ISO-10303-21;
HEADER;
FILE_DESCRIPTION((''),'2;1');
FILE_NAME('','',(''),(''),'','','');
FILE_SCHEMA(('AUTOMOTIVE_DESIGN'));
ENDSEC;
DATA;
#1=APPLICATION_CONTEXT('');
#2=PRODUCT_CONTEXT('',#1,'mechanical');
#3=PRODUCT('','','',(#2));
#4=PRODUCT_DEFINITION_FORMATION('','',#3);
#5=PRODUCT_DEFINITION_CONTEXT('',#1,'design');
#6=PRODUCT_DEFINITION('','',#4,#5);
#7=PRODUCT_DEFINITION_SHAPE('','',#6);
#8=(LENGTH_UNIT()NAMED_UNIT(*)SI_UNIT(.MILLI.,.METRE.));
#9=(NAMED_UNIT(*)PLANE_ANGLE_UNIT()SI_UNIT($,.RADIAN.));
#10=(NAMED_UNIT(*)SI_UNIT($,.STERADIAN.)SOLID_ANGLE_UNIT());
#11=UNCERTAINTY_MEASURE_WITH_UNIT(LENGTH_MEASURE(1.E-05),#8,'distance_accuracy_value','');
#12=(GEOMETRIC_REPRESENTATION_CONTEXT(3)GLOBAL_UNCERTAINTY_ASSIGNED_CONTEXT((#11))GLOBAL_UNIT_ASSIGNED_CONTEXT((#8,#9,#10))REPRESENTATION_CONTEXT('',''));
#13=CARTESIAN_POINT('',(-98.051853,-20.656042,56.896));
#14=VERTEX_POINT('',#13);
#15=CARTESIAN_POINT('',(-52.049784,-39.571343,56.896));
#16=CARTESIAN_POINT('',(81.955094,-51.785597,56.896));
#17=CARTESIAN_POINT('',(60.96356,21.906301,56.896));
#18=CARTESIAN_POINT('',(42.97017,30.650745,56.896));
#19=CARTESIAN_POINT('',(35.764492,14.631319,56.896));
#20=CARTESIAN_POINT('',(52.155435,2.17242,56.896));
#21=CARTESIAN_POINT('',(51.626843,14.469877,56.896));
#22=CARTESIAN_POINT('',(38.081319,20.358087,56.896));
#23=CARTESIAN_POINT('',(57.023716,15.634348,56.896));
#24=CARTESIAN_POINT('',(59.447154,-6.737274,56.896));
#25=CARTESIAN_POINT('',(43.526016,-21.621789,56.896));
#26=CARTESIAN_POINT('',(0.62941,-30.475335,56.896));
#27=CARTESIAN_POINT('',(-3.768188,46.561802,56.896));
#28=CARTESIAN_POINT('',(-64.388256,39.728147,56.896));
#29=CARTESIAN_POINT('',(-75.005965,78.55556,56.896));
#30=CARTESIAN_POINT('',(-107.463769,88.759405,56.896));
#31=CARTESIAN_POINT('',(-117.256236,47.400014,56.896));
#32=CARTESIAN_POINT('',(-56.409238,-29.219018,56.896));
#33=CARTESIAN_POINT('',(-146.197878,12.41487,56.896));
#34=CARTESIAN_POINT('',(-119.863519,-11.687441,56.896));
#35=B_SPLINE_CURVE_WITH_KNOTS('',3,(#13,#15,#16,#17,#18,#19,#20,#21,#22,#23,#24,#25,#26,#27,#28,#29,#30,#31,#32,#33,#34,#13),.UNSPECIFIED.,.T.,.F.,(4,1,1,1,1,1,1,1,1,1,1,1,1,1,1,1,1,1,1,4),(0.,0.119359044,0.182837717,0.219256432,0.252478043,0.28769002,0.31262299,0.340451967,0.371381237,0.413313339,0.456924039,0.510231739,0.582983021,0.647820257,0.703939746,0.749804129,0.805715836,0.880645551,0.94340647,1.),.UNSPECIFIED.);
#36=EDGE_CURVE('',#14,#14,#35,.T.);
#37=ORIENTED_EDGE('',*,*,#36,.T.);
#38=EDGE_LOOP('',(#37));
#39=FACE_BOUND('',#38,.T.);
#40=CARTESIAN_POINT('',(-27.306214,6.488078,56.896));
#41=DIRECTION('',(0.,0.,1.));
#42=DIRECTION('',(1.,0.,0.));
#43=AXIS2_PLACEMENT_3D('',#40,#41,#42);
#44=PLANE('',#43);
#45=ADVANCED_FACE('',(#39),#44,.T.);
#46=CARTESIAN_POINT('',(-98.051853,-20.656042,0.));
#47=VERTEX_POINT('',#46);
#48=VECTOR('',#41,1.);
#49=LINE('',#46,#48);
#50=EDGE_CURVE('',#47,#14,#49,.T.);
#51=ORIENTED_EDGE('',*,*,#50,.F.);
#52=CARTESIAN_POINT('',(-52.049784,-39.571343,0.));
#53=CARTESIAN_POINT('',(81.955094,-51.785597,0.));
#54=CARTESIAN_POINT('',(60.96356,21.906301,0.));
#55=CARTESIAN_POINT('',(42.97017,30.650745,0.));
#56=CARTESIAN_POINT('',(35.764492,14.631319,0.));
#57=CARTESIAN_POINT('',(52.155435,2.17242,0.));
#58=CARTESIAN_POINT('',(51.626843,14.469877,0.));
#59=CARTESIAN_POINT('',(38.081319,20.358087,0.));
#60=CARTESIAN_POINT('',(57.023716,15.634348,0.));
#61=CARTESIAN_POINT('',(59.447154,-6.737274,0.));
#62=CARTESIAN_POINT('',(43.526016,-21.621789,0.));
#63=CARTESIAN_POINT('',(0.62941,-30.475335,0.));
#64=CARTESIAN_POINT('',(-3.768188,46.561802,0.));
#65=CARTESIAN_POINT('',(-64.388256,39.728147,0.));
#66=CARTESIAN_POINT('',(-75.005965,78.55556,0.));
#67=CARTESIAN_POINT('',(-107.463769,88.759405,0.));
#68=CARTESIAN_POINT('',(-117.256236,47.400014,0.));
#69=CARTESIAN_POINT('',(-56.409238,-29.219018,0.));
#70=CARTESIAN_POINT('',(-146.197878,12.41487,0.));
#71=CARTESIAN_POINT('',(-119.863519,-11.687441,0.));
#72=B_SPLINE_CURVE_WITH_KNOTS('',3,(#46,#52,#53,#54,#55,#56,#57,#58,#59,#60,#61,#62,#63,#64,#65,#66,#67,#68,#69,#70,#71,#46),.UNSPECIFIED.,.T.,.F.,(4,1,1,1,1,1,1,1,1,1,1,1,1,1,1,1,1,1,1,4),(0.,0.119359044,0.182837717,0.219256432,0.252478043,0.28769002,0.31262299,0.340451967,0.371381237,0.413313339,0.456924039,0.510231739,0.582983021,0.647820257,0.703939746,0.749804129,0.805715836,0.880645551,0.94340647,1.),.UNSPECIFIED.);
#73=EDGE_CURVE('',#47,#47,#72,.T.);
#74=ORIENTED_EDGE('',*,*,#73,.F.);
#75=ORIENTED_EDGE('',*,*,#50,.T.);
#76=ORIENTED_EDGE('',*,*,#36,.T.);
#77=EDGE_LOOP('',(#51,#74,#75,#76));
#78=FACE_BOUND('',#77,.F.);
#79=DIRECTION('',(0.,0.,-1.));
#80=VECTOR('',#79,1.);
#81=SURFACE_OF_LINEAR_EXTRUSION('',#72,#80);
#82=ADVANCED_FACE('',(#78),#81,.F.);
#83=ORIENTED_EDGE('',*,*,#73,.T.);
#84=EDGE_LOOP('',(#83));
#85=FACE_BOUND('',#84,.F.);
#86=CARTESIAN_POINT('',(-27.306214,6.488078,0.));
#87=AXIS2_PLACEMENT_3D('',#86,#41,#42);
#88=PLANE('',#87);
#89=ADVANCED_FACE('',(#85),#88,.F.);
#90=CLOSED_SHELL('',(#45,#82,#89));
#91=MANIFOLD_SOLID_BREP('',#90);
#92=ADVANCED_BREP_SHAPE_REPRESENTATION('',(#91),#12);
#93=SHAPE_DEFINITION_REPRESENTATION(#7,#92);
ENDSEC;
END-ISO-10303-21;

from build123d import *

# Parameters (mm, degrees)
F1_DEPTH = 56.896


with BuildPart() as f1:
    # F0 (on Top) → F1 (new body)
    with BuildSketch(Plane.XY):
        with BuildLine():
            add(Edge.make_bspline(
                [(-98.051853478, -20.656041801), (-52.0497837184, -39.571342506), (81.9550935318, -51.7855969024), (60.9635597267, 21.9063005109), (42.9701701855, 30.6507448601), (35.7644915558, 14.6313188917), (52.1554349677, 2.1724202803), (51.6268425796, 14.4698774688), (38.0813187738, 20.3580865771), (57.0237158339, 15.6343479351), (59.4471544821, -6.7372738285), (43.5260156, -21.62178885), (0.6294095944, -30.4753351242), (-3.7681878316, 46.5618017285), (-64.3882563028, 39.7281472605), (-75.0059649677, 78.5555598545), (-107.4637690264, 88.759405467), (-117.2562359661, 47.4000137124), (-56.409238201, -29.2190177953), (-146.1978778267, 12.414870114), (-119.8635189231, -11.6874407592), (-98.051853478, -20.656041801)],
                knots=[0, 0, 0, 0, 0.1193590439, 0.1828377172, 0.2192564318, 0.2524780434, 0.2876900195, 0.3126229898, 0.3404519667, 0.3713812373, 0.4133133395, 0.4569240395, 0.5102317385, 0.5829830213, 0.6478202566, 0.7039397462, 0.7498041288, 0.8057158356, 0.8806455513, 0.9434064696, 1, 1, 1, 1], degree=3))
        make_face()
    extrude(amount=F1_DEPTH)


solid = f1.part
